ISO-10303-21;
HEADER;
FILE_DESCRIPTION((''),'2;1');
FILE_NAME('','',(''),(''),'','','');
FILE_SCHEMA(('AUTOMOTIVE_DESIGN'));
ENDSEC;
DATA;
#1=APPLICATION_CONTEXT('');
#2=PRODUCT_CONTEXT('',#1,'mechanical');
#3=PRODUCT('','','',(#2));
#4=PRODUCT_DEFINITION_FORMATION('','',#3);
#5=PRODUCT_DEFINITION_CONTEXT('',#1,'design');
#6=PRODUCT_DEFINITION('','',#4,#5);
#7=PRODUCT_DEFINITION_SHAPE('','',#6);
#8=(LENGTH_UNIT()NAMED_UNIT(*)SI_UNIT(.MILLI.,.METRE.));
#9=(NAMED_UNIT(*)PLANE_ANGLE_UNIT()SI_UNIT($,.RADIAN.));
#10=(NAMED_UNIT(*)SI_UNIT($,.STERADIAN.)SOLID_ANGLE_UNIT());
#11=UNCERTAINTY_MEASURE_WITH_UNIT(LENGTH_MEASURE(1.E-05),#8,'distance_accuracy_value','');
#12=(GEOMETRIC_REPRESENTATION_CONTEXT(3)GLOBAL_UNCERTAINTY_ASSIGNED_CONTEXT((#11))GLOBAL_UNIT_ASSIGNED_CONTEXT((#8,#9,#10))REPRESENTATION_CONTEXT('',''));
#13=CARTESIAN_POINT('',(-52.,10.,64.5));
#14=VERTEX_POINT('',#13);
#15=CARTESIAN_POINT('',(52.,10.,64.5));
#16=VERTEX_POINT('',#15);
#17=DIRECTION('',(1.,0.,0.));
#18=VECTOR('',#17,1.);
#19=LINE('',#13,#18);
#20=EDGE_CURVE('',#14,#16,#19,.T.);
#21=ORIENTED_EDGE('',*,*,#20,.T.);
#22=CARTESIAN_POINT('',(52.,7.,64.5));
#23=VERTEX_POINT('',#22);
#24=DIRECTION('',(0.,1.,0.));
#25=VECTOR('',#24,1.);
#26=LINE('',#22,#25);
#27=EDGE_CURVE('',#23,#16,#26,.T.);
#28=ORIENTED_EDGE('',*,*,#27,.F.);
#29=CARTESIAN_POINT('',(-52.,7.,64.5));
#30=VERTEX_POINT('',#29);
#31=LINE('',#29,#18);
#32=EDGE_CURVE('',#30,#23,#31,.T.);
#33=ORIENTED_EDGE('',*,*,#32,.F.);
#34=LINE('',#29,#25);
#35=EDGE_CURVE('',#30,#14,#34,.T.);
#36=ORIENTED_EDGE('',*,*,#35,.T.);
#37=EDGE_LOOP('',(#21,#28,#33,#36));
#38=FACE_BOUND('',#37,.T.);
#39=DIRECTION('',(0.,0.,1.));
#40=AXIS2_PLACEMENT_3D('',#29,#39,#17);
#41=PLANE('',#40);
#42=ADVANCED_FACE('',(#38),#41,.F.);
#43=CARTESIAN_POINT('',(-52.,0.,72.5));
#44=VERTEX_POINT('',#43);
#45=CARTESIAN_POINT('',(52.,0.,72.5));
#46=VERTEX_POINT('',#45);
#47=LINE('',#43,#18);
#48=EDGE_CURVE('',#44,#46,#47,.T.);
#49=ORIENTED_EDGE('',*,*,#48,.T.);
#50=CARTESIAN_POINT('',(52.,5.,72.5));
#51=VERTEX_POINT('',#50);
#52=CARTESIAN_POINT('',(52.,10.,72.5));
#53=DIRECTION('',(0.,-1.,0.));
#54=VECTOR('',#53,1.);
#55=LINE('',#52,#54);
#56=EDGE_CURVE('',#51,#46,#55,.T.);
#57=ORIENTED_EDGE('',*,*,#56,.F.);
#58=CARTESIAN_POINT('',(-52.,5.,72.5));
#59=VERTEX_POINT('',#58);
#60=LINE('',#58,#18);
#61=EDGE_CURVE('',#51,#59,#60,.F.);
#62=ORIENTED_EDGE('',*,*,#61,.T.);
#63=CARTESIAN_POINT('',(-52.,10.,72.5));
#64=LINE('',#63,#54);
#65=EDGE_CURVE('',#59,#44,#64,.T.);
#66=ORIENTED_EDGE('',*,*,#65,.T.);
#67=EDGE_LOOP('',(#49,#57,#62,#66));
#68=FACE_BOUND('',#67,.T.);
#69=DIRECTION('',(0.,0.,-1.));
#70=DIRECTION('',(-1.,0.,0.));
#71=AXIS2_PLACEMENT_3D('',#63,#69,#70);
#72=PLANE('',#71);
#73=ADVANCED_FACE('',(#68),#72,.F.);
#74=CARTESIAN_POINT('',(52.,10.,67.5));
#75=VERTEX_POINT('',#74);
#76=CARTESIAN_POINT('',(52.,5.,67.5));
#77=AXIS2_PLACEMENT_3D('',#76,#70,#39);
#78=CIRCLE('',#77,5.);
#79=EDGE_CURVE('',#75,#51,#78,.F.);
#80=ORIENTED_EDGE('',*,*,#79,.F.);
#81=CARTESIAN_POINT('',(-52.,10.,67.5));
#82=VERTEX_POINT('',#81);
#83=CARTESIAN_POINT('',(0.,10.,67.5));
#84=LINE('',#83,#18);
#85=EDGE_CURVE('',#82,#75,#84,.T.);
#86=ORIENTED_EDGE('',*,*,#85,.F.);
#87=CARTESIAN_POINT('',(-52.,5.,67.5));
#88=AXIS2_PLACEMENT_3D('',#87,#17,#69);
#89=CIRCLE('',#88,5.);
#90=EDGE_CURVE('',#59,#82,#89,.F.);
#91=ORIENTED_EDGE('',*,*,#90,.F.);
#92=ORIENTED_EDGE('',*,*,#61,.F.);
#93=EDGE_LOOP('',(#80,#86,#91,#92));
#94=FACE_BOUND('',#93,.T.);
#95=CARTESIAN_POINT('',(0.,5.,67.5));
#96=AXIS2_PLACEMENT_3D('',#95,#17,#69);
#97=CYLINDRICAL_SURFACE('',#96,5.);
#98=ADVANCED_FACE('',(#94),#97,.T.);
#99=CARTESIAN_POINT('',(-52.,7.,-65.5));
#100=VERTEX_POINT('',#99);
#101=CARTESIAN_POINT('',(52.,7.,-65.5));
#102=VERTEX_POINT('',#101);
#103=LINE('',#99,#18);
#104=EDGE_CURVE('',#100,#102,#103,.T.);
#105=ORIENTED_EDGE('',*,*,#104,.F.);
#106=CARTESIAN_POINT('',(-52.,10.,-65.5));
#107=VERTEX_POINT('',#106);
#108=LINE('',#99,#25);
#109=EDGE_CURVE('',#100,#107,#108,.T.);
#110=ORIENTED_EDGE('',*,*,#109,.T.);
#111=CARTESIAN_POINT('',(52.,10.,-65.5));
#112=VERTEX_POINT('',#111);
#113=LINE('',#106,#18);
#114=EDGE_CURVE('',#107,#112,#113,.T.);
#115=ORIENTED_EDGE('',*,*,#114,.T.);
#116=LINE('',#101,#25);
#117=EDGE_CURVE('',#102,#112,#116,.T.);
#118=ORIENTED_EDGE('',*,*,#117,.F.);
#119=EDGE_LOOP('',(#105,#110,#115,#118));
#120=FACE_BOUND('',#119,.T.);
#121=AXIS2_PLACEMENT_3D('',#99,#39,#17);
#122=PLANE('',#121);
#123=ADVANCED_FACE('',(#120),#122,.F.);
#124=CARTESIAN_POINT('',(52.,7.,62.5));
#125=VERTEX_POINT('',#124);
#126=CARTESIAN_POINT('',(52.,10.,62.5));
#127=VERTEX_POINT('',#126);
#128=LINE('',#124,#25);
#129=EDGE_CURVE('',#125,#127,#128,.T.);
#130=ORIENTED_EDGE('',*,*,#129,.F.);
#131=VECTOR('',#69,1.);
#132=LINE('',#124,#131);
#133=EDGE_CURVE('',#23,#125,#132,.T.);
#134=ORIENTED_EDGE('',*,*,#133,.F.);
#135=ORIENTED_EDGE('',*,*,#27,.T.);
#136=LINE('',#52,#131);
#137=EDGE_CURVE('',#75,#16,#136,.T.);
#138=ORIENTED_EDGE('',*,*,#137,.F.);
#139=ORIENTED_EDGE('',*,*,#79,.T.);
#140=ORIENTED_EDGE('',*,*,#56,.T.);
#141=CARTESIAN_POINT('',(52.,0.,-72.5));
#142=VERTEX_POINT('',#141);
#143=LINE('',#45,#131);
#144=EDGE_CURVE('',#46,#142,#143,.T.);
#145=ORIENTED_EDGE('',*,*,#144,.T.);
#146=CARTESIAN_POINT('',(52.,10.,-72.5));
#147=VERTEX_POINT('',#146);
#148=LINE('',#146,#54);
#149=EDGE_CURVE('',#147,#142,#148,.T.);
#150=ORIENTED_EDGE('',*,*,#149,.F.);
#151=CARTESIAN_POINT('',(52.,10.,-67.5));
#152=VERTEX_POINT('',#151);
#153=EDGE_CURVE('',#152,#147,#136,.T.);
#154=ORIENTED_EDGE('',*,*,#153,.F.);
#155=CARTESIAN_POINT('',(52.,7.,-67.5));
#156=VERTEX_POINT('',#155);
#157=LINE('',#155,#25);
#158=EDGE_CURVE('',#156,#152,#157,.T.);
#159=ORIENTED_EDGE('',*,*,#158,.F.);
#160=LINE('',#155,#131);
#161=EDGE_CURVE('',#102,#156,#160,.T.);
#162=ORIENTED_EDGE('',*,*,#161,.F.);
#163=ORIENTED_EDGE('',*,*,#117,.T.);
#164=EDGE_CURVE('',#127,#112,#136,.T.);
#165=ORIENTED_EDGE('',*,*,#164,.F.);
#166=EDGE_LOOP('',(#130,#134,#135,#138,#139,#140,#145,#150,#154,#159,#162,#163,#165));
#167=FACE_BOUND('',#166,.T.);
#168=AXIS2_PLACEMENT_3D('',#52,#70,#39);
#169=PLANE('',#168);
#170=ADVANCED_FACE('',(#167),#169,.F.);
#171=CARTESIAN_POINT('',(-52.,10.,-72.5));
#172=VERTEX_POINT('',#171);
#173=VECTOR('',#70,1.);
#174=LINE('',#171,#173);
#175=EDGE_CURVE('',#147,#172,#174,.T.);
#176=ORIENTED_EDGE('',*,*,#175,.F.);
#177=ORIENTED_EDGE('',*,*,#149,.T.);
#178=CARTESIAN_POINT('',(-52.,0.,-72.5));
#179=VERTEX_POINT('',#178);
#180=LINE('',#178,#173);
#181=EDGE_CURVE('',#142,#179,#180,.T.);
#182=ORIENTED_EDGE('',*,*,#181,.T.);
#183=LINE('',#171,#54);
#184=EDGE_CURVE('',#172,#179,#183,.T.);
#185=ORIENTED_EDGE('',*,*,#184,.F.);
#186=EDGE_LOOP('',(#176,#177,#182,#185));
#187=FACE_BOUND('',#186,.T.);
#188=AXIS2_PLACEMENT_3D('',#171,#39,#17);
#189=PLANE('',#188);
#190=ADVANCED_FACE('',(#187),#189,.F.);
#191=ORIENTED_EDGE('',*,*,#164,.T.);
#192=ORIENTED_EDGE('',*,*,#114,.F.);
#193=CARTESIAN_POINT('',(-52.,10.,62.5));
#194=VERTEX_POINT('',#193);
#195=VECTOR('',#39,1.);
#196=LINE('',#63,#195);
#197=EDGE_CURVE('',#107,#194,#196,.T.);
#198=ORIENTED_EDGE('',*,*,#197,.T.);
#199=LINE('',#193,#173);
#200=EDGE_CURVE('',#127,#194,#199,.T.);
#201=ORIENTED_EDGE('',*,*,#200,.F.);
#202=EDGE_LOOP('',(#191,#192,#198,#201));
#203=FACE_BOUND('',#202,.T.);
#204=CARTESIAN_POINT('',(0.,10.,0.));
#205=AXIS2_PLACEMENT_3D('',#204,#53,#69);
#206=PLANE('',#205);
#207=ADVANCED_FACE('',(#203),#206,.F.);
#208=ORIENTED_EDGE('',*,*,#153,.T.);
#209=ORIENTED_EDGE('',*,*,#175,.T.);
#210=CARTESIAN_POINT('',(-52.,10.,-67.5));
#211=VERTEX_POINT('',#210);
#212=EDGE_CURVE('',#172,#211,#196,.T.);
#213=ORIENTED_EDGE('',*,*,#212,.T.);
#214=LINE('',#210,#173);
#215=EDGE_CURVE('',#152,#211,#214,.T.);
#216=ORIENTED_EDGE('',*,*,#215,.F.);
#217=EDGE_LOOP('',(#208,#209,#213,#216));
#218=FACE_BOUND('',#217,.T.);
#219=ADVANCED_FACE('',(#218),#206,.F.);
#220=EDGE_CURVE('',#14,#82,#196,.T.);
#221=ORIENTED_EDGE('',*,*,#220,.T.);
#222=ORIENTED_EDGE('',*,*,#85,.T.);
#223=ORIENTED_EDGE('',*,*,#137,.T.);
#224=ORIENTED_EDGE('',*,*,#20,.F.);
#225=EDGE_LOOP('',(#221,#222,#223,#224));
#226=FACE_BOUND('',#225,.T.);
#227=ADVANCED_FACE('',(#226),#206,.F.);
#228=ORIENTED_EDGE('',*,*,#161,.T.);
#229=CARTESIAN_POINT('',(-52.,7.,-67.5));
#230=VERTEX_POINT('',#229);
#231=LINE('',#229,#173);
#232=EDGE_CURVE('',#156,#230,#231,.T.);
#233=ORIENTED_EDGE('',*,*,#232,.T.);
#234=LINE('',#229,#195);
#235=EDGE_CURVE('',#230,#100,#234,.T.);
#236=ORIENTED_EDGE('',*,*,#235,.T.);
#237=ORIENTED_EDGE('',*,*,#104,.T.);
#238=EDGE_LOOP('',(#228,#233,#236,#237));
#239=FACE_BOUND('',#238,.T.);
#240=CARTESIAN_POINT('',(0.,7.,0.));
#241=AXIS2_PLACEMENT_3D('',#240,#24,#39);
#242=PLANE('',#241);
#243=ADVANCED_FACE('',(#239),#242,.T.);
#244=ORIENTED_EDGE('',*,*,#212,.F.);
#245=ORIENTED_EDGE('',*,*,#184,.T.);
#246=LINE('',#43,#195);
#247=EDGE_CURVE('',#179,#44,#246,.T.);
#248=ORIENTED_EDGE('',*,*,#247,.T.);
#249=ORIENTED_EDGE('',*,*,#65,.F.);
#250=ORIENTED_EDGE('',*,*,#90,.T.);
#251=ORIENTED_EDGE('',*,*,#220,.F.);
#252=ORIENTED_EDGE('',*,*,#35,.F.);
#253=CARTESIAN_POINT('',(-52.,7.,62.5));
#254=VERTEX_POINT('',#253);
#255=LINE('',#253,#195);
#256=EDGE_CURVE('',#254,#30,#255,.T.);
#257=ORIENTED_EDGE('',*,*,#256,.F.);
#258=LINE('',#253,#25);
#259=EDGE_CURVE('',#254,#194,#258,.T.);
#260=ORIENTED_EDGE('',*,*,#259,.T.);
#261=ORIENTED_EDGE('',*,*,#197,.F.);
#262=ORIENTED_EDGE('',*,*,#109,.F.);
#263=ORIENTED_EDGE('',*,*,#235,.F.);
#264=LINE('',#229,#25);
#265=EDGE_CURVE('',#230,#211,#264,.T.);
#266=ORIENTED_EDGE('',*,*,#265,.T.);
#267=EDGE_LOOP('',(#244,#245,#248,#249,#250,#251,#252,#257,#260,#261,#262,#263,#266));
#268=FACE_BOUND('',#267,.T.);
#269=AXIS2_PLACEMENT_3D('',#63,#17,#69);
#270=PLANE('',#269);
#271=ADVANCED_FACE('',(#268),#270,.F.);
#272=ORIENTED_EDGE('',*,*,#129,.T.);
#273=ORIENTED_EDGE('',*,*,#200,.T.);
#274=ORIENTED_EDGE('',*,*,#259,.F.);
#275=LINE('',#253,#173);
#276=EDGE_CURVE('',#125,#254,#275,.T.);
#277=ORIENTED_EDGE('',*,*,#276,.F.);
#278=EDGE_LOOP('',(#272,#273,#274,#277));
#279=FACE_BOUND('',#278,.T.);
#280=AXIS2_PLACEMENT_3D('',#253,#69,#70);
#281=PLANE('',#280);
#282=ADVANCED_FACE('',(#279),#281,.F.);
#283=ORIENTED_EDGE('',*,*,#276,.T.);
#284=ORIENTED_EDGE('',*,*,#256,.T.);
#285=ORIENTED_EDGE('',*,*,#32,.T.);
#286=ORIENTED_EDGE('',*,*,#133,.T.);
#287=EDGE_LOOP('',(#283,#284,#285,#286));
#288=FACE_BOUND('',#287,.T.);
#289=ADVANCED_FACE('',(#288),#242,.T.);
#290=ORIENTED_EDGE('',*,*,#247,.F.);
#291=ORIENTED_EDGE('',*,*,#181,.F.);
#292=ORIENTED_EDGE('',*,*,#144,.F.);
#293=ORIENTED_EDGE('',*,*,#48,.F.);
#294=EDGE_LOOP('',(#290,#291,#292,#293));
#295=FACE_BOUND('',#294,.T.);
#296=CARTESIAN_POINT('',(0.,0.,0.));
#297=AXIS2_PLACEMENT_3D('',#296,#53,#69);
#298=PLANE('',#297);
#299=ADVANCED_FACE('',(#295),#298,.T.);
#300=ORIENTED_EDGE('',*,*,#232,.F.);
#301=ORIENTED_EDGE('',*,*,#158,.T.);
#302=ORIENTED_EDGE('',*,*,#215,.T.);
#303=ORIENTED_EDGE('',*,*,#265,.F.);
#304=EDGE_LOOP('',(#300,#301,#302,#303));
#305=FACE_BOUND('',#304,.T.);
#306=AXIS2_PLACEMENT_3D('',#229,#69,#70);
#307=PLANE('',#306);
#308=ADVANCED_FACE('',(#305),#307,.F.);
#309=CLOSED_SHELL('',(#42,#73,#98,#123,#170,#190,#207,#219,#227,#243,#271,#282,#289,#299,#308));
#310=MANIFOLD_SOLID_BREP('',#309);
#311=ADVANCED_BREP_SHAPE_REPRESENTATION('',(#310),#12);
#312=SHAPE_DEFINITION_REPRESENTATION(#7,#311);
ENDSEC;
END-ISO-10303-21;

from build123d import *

# Parameters (mm, degrees)
SKETCH1_W           = 104
SKETCH1_H           = 145
BOSS_EXTRUDE1_DEPTH = 10
SKETCH2_W           = 104
SKETCH2_H           = 2
CUT_EXTRUDE1_DEPTH  = 3
FILLET2_R           = 5


with BuildPart() as part:
    # Sketch1 → Boss-Extrude1 (new body)
    with BuildSketch(Plane(origin=(0, 0, 0), x_dir=(1, 0, 0), z_dir=(0, 1, 0))):
        Rectangle(SKETCH1_W, SKETCH1_H)
    extrude(amount=BOSS_EXTRUDE1_DEPTH)

    # Sketch2 → Cut-Extrude1 (cut)
    with BuildSketch(Plane(origin=(0, 10, 0), x_dir=(1, 0, 0), z_dir=(0, 1, 0))):
        with Locations((0, 66.5)):
            Rectangle(SKETCH2_W, SKETCH2_H)
        with Locations((0, -63.5)):
            Rectangle(SKETCH2_W, SKETCH2_H)
    extrude(amount=-CUT_EXTRUDE1_DEPTH, mode=Mode.SUBTRACT)

    # Fillet2
    fillet2_edges = [part.edges().sort_by_distance(p)[0] for p in [
        (0, 10, 72.5),
    ]]
    fillet(fillet2_edges, radius=FILLET2_R)


solid = part.part
